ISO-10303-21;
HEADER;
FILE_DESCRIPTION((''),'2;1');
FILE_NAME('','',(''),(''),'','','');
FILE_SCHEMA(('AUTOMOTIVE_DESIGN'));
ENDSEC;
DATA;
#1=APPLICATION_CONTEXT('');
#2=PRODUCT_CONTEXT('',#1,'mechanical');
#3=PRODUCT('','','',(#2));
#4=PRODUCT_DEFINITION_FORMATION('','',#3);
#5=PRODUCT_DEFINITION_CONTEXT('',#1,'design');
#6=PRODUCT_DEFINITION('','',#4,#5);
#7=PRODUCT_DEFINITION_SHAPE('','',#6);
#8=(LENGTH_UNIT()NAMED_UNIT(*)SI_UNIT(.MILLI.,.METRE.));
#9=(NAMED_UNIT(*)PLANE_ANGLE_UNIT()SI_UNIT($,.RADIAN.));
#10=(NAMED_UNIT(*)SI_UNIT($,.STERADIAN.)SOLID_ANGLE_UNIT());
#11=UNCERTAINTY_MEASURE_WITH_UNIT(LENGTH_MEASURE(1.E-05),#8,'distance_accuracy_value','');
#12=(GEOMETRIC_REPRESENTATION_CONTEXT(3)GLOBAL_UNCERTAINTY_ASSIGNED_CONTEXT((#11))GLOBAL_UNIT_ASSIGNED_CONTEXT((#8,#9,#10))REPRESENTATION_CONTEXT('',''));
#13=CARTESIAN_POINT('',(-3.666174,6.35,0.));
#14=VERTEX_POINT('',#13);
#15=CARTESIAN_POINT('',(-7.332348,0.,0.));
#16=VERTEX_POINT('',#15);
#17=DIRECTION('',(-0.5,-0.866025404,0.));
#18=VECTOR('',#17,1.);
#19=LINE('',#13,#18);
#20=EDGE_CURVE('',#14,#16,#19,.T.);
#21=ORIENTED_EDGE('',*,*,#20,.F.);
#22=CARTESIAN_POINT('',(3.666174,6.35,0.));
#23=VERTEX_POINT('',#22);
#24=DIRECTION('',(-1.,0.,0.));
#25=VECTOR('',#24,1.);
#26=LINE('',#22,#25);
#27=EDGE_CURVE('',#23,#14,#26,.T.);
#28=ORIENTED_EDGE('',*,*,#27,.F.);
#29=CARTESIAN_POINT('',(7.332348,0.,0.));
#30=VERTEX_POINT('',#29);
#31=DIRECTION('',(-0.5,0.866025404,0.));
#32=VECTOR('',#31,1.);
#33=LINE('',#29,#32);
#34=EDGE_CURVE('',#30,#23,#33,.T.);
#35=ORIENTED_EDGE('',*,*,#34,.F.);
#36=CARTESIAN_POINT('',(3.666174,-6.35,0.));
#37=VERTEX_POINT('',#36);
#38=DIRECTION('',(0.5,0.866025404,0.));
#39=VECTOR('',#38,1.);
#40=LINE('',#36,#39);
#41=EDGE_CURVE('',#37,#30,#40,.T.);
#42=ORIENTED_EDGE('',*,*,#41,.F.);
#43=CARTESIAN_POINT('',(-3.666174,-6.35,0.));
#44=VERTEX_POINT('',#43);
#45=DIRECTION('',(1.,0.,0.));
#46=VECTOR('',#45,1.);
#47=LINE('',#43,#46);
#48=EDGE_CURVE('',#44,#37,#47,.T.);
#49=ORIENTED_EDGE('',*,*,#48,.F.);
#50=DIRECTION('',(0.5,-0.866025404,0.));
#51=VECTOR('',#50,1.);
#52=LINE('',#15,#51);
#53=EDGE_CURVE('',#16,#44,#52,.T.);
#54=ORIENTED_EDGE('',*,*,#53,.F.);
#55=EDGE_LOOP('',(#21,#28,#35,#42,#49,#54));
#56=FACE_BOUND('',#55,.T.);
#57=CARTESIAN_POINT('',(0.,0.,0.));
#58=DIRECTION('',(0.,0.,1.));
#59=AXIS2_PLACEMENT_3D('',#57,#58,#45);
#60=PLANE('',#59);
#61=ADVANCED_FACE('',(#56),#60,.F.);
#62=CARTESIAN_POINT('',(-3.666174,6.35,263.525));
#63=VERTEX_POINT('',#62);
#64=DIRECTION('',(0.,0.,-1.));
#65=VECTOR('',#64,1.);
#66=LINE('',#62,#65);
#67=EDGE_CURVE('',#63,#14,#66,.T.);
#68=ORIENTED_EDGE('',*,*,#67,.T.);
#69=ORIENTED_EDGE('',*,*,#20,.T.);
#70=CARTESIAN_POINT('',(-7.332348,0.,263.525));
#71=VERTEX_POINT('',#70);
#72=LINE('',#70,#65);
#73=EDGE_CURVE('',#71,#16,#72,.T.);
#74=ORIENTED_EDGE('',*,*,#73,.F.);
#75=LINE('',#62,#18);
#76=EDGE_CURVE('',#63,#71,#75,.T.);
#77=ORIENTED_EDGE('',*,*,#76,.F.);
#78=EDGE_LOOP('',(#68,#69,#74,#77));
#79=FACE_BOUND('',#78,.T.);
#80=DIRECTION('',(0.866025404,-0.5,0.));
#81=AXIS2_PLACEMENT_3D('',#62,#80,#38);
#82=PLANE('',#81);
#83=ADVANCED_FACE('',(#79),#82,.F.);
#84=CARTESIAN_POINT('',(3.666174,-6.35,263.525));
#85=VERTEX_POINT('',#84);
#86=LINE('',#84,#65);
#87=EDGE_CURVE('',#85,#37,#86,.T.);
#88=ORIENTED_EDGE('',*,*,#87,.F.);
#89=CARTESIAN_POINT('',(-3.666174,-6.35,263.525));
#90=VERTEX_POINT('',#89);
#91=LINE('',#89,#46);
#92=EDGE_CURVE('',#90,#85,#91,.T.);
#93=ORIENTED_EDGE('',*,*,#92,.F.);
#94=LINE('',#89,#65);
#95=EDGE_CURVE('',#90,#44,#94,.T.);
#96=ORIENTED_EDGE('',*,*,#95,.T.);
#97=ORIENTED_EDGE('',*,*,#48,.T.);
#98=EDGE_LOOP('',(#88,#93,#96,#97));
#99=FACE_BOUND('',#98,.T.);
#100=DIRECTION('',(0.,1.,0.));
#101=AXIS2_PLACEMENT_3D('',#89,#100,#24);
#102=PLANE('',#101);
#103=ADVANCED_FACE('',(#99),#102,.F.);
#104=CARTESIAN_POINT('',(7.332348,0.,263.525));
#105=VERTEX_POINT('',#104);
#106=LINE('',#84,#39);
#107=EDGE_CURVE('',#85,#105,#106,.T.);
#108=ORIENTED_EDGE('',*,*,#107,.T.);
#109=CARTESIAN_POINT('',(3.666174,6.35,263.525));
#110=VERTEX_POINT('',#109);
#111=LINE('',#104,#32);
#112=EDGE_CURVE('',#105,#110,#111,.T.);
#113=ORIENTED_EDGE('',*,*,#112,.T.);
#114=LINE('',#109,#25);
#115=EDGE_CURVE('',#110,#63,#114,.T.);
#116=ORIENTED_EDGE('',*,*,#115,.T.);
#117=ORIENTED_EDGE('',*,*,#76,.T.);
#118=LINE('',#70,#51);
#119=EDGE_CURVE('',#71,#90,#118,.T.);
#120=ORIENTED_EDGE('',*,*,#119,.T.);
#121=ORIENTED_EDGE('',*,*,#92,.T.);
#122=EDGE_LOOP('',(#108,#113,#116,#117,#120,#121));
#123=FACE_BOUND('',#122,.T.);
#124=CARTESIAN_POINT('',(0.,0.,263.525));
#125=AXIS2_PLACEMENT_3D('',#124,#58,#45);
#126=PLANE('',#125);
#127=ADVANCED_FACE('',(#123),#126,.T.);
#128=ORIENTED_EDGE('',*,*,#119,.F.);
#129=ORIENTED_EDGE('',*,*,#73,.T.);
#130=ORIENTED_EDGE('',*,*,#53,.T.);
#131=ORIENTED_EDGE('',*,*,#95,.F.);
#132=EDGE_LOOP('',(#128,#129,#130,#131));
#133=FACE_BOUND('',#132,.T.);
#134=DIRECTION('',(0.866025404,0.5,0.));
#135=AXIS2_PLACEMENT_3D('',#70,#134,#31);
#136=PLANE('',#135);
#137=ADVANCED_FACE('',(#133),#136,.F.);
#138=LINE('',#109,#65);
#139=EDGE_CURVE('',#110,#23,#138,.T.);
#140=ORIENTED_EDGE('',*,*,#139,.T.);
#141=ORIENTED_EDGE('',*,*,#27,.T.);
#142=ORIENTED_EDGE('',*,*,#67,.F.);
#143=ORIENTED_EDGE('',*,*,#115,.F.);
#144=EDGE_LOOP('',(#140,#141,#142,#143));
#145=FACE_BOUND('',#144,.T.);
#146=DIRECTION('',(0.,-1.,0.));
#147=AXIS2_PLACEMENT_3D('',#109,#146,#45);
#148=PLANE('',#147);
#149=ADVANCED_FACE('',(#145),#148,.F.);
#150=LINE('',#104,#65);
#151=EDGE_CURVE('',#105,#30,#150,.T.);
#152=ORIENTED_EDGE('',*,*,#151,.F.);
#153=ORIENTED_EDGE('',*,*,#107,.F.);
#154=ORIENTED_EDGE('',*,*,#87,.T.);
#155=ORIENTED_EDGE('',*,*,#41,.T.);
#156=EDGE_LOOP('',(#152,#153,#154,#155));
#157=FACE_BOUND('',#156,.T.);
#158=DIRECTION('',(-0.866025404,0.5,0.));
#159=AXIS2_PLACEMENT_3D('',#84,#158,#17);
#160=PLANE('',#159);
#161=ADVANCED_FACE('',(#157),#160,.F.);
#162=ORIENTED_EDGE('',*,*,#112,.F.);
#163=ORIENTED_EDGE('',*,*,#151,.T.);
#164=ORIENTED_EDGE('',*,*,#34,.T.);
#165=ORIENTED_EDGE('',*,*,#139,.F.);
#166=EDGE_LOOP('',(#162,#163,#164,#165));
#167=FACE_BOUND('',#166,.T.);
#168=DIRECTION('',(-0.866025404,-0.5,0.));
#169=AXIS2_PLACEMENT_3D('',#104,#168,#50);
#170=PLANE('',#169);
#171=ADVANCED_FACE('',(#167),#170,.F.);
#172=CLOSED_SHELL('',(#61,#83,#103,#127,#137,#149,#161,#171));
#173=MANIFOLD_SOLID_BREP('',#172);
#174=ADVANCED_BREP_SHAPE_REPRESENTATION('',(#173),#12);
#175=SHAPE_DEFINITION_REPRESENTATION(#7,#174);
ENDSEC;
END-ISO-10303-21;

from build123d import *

# Parameters (mm, degrees)
BOSS_EXTRUDE1_DEPTH = 263.525


with BuildPart() as part:
    # Sketch1 → Boss-Extrude1 (new body)
    with BuildSketch(Plane.XY):
        Polygon((7.332348419, 0), (3.666174209, 6.35), (-3.666174209, 6.35), (-7.332348419, 0), (-3.666174209, -6.35), (3.666174209, -6.35), align=None)
    extrude(amount=BOSS_EXTRUDE1_DEPTH)


solid = part.part
